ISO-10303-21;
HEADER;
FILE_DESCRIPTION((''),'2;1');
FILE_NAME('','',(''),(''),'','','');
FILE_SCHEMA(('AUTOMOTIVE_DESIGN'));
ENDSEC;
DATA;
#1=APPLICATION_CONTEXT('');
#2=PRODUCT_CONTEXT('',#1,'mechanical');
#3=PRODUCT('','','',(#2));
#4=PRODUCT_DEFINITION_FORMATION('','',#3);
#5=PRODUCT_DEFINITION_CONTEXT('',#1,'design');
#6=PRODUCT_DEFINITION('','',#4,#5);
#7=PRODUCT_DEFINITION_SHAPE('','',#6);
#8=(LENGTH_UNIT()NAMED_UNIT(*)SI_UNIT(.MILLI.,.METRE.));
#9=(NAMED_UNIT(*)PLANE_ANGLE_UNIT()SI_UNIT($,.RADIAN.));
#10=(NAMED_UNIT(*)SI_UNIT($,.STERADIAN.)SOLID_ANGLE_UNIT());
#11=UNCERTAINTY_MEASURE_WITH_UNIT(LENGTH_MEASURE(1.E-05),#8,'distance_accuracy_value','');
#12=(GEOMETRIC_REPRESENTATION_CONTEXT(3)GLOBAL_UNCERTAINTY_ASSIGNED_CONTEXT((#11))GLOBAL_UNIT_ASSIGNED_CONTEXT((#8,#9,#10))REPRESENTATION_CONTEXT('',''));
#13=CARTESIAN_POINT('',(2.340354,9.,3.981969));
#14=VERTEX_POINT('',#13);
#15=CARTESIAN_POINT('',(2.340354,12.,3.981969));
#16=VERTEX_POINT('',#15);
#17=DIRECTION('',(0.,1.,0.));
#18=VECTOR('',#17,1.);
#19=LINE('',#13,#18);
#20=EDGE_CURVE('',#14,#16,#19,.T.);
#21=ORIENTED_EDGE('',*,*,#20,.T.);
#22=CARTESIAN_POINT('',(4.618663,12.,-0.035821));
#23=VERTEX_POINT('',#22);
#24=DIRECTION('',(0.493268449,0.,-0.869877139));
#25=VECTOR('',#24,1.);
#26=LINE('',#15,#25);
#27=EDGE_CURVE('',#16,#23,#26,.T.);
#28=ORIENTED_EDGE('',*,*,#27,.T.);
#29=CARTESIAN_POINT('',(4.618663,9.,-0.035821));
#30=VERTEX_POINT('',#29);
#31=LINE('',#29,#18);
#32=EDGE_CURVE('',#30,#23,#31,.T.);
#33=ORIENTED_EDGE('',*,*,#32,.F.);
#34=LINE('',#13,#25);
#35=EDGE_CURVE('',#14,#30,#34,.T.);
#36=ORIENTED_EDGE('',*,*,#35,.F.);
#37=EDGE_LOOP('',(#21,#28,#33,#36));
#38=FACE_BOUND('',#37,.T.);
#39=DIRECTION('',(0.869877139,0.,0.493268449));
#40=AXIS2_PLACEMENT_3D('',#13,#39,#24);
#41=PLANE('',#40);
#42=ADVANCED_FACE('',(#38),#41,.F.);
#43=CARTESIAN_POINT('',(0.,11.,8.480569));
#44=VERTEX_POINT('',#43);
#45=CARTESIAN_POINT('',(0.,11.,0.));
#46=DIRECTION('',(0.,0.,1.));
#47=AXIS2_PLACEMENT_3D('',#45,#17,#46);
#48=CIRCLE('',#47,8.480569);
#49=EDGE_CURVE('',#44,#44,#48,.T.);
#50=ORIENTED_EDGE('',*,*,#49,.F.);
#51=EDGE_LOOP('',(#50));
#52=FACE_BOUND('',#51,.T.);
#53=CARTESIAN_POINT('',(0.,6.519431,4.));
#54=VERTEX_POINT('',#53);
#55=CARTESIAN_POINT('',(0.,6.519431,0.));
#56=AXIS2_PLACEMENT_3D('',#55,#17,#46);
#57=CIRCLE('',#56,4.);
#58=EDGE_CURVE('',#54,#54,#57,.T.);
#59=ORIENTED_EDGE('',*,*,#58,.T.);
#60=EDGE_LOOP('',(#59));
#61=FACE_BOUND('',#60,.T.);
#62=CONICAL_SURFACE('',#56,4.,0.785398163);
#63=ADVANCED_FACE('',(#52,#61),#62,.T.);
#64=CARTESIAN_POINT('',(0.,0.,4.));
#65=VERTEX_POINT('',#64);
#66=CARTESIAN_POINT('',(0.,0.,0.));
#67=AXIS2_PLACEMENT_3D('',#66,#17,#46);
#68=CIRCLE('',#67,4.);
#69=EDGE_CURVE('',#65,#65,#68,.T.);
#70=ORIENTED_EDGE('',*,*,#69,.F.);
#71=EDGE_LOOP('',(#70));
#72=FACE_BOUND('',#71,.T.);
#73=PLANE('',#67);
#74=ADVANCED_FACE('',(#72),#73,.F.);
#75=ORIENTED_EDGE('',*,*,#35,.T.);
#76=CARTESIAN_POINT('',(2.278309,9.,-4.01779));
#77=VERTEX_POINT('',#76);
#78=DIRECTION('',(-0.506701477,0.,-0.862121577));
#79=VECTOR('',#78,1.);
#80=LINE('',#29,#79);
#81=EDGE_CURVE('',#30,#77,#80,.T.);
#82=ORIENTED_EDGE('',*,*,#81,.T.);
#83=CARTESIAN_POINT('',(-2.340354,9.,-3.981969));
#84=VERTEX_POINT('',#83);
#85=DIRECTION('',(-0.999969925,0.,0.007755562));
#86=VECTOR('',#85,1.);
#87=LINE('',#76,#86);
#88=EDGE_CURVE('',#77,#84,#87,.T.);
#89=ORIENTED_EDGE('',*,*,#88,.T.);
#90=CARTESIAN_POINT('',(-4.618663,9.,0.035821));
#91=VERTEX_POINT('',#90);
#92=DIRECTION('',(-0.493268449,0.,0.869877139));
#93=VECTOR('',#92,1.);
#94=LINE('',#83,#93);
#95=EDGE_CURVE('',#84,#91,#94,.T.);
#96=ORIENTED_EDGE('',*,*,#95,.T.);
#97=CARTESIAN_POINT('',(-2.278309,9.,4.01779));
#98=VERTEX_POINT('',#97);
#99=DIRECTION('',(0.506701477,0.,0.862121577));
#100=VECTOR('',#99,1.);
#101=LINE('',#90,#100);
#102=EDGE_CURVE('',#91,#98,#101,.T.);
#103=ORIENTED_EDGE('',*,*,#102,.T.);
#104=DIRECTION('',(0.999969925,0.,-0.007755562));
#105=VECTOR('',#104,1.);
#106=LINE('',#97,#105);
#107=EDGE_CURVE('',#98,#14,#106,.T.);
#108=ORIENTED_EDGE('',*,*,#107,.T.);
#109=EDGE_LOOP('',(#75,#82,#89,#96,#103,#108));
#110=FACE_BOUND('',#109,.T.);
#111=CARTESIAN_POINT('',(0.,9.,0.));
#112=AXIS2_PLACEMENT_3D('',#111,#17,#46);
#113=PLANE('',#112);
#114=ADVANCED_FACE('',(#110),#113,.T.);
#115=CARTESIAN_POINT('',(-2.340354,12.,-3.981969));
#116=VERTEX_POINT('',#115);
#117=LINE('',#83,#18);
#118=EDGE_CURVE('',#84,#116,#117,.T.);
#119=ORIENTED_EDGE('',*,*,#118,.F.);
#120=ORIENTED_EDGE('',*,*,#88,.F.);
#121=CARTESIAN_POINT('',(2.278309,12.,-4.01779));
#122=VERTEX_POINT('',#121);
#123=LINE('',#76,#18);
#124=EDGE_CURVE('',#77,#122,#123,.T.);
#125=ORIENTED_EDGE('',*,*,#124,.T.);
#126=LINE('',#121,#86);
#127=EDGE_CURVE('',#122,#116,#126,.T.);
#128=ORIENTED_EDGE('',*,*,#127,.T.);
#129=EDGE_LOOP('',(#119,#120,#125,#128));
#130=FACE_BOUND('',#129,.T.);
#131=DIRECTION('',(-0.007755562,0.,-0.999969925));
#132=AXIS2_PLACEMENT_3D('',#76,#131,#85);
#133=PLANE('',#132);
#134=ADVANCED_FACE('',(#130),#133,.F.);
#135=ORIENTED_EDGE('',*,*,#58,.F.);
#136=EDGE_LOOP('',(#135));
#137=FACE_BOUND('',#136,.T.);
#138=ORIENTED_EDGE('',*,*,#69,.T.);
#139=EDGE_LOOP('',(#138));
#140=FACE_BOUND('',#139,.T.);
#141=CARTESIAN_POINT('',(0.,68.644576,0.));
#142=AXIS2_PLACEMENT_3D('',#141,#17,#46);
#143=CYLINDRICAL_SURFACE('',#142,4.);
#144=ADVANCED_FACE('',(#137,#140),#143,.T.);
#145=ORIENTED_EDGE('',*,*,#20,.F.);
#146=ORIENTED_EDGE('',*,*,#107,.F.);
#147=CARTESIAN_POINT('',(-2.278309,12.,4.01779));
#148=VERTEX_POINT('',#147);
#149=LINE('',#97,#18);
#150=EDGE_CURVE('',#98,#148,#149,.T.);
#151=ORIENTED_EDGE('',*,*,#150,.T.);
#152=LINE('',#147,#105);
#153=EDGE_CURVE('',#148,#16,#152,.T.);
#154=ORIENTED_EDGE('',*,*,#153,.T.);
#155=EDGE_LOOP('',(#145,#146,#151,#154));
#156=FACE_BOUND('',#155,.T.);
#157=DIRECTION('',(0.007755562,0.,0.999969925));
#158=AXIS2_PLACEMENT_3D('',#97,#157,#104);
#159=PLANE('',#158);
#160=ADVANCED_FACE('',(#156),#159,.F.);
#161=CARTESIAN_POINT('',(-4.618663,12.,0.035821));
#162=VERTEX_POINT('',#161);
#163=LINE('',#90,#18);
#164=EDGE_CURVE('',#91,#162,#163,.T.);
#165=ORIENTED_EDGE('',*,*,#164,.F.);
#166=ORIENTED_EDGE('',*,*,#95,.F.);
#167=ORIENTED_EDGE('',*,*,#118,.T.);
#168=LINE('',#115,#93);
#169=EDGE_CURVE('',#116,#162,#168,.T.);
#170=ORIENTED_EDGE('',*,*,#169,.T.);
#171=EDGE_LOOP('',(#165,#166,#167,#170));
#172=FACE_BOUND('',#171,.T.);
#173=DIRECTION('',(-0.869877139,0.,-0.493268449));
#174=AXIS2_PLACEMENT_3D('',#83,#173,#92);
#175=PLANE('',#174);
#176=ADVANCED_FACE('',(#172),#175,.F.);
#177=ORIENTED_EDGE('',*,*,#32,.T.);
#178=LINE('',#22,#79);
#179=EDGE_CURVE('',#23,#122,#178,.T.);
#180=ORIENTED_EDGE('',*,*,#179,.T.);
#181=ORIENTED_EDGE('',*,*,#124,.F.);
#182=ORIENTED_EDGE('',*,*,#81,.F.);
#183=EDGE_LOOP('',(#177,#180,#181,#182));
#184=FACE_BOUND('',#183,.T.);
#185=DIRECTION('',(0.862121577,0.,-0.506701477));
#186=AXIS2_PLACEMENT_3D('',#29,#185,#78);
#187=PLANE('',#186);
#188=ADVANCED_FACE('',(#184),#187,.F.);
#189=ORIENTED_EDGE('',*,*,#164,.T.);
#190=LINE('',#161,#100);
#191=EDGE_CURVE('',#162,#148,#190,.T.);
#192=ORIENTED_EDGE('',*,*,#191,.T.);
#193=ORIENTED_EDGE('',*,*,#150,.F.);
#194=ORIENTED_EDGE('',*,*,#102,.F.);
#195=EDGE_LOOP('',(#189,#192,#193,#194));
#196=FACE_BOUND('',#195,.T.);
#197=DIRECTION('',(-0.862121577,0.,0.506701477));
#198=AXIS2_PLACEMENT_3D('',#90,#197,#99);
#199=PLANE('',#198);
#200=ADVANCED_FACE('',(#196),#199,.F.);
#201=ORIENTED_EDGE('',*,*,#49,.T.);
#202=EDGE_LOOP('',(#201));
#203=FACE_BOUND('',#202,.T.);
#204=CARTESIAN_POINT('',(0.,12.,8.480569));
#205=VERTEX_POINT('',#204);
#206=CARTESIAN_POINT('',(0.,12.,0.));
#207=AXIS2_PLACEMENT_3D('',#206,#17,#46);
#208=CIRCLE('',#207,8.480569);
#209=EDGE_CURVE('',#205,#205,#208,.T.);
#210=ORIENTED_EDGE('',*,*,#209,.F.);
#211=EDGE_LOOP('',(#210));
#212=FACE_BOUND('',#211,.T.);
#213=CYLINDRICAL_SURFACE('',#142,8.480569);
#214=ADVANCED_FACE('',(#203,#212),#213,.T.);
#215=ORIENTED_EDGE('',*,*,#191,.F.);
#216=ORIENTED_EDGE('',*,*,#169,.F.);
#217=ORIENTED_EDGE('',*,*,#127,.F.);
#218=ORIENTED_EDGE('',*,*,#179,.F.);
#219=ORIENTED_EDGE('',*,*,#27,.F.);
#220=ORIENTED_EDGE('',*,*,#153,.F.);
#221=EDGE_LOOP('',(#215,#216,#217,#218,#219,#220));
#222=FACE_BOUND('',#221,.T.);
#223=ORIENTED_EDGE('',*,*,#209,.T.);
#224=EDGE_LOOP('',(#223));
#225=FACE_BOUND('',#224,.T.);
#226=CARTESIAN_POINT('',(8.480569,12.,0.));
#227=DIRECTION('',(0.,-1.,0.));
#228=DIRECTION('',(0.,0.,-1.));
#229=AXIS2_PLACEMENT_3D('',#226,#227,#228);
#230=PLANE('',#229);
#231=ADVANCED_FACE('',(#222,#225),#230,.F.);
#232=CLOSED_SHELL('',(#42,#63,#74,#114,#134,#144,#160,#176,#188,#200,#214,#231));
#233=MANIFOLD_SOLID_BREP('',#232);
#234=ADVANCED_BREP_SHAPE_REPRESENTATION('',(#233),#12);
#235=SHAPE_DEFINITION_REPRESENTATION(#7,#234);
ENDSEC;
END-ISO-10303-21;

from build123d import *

# Parameters (mm, degrees)
CUT_EXTRUDE_1_DEPTH = 3


with BuildPart() as part:
    # Эскиз1 → Повернуть1 (revolve)
    with BuildSketch(Plane.XY):
        Polygon((0, 0), (4, 0), (4, 6.519431445), (8.480568555, 11), (8.480568555, 12), (0, 12), align=None)
    revolve(axis=Axis((0, 68.644575989, 0), (0, -1, 0)))

    # Эскиз2 → Вырез-Вытянуть1 (cut)
    with BuildSketch(Plane(origin=(0, 12, 0), x_dir=(1, 0, 0), z_dir=(0, 1, 0))):
        Polygon((2.340353871, -3.981968997), (4.618663244, 0.035821408), (2.278309373, 4.017790405), (-2.340353871, 3.981968997), (-4.618663244, -0.035821408), (-2.278309373, -4.017790405), align=None)
    extrude(amount=-CUT_EXTRUDE_1_DEPTH, mode=Mode.SUBTRACT)


solid = part.part
